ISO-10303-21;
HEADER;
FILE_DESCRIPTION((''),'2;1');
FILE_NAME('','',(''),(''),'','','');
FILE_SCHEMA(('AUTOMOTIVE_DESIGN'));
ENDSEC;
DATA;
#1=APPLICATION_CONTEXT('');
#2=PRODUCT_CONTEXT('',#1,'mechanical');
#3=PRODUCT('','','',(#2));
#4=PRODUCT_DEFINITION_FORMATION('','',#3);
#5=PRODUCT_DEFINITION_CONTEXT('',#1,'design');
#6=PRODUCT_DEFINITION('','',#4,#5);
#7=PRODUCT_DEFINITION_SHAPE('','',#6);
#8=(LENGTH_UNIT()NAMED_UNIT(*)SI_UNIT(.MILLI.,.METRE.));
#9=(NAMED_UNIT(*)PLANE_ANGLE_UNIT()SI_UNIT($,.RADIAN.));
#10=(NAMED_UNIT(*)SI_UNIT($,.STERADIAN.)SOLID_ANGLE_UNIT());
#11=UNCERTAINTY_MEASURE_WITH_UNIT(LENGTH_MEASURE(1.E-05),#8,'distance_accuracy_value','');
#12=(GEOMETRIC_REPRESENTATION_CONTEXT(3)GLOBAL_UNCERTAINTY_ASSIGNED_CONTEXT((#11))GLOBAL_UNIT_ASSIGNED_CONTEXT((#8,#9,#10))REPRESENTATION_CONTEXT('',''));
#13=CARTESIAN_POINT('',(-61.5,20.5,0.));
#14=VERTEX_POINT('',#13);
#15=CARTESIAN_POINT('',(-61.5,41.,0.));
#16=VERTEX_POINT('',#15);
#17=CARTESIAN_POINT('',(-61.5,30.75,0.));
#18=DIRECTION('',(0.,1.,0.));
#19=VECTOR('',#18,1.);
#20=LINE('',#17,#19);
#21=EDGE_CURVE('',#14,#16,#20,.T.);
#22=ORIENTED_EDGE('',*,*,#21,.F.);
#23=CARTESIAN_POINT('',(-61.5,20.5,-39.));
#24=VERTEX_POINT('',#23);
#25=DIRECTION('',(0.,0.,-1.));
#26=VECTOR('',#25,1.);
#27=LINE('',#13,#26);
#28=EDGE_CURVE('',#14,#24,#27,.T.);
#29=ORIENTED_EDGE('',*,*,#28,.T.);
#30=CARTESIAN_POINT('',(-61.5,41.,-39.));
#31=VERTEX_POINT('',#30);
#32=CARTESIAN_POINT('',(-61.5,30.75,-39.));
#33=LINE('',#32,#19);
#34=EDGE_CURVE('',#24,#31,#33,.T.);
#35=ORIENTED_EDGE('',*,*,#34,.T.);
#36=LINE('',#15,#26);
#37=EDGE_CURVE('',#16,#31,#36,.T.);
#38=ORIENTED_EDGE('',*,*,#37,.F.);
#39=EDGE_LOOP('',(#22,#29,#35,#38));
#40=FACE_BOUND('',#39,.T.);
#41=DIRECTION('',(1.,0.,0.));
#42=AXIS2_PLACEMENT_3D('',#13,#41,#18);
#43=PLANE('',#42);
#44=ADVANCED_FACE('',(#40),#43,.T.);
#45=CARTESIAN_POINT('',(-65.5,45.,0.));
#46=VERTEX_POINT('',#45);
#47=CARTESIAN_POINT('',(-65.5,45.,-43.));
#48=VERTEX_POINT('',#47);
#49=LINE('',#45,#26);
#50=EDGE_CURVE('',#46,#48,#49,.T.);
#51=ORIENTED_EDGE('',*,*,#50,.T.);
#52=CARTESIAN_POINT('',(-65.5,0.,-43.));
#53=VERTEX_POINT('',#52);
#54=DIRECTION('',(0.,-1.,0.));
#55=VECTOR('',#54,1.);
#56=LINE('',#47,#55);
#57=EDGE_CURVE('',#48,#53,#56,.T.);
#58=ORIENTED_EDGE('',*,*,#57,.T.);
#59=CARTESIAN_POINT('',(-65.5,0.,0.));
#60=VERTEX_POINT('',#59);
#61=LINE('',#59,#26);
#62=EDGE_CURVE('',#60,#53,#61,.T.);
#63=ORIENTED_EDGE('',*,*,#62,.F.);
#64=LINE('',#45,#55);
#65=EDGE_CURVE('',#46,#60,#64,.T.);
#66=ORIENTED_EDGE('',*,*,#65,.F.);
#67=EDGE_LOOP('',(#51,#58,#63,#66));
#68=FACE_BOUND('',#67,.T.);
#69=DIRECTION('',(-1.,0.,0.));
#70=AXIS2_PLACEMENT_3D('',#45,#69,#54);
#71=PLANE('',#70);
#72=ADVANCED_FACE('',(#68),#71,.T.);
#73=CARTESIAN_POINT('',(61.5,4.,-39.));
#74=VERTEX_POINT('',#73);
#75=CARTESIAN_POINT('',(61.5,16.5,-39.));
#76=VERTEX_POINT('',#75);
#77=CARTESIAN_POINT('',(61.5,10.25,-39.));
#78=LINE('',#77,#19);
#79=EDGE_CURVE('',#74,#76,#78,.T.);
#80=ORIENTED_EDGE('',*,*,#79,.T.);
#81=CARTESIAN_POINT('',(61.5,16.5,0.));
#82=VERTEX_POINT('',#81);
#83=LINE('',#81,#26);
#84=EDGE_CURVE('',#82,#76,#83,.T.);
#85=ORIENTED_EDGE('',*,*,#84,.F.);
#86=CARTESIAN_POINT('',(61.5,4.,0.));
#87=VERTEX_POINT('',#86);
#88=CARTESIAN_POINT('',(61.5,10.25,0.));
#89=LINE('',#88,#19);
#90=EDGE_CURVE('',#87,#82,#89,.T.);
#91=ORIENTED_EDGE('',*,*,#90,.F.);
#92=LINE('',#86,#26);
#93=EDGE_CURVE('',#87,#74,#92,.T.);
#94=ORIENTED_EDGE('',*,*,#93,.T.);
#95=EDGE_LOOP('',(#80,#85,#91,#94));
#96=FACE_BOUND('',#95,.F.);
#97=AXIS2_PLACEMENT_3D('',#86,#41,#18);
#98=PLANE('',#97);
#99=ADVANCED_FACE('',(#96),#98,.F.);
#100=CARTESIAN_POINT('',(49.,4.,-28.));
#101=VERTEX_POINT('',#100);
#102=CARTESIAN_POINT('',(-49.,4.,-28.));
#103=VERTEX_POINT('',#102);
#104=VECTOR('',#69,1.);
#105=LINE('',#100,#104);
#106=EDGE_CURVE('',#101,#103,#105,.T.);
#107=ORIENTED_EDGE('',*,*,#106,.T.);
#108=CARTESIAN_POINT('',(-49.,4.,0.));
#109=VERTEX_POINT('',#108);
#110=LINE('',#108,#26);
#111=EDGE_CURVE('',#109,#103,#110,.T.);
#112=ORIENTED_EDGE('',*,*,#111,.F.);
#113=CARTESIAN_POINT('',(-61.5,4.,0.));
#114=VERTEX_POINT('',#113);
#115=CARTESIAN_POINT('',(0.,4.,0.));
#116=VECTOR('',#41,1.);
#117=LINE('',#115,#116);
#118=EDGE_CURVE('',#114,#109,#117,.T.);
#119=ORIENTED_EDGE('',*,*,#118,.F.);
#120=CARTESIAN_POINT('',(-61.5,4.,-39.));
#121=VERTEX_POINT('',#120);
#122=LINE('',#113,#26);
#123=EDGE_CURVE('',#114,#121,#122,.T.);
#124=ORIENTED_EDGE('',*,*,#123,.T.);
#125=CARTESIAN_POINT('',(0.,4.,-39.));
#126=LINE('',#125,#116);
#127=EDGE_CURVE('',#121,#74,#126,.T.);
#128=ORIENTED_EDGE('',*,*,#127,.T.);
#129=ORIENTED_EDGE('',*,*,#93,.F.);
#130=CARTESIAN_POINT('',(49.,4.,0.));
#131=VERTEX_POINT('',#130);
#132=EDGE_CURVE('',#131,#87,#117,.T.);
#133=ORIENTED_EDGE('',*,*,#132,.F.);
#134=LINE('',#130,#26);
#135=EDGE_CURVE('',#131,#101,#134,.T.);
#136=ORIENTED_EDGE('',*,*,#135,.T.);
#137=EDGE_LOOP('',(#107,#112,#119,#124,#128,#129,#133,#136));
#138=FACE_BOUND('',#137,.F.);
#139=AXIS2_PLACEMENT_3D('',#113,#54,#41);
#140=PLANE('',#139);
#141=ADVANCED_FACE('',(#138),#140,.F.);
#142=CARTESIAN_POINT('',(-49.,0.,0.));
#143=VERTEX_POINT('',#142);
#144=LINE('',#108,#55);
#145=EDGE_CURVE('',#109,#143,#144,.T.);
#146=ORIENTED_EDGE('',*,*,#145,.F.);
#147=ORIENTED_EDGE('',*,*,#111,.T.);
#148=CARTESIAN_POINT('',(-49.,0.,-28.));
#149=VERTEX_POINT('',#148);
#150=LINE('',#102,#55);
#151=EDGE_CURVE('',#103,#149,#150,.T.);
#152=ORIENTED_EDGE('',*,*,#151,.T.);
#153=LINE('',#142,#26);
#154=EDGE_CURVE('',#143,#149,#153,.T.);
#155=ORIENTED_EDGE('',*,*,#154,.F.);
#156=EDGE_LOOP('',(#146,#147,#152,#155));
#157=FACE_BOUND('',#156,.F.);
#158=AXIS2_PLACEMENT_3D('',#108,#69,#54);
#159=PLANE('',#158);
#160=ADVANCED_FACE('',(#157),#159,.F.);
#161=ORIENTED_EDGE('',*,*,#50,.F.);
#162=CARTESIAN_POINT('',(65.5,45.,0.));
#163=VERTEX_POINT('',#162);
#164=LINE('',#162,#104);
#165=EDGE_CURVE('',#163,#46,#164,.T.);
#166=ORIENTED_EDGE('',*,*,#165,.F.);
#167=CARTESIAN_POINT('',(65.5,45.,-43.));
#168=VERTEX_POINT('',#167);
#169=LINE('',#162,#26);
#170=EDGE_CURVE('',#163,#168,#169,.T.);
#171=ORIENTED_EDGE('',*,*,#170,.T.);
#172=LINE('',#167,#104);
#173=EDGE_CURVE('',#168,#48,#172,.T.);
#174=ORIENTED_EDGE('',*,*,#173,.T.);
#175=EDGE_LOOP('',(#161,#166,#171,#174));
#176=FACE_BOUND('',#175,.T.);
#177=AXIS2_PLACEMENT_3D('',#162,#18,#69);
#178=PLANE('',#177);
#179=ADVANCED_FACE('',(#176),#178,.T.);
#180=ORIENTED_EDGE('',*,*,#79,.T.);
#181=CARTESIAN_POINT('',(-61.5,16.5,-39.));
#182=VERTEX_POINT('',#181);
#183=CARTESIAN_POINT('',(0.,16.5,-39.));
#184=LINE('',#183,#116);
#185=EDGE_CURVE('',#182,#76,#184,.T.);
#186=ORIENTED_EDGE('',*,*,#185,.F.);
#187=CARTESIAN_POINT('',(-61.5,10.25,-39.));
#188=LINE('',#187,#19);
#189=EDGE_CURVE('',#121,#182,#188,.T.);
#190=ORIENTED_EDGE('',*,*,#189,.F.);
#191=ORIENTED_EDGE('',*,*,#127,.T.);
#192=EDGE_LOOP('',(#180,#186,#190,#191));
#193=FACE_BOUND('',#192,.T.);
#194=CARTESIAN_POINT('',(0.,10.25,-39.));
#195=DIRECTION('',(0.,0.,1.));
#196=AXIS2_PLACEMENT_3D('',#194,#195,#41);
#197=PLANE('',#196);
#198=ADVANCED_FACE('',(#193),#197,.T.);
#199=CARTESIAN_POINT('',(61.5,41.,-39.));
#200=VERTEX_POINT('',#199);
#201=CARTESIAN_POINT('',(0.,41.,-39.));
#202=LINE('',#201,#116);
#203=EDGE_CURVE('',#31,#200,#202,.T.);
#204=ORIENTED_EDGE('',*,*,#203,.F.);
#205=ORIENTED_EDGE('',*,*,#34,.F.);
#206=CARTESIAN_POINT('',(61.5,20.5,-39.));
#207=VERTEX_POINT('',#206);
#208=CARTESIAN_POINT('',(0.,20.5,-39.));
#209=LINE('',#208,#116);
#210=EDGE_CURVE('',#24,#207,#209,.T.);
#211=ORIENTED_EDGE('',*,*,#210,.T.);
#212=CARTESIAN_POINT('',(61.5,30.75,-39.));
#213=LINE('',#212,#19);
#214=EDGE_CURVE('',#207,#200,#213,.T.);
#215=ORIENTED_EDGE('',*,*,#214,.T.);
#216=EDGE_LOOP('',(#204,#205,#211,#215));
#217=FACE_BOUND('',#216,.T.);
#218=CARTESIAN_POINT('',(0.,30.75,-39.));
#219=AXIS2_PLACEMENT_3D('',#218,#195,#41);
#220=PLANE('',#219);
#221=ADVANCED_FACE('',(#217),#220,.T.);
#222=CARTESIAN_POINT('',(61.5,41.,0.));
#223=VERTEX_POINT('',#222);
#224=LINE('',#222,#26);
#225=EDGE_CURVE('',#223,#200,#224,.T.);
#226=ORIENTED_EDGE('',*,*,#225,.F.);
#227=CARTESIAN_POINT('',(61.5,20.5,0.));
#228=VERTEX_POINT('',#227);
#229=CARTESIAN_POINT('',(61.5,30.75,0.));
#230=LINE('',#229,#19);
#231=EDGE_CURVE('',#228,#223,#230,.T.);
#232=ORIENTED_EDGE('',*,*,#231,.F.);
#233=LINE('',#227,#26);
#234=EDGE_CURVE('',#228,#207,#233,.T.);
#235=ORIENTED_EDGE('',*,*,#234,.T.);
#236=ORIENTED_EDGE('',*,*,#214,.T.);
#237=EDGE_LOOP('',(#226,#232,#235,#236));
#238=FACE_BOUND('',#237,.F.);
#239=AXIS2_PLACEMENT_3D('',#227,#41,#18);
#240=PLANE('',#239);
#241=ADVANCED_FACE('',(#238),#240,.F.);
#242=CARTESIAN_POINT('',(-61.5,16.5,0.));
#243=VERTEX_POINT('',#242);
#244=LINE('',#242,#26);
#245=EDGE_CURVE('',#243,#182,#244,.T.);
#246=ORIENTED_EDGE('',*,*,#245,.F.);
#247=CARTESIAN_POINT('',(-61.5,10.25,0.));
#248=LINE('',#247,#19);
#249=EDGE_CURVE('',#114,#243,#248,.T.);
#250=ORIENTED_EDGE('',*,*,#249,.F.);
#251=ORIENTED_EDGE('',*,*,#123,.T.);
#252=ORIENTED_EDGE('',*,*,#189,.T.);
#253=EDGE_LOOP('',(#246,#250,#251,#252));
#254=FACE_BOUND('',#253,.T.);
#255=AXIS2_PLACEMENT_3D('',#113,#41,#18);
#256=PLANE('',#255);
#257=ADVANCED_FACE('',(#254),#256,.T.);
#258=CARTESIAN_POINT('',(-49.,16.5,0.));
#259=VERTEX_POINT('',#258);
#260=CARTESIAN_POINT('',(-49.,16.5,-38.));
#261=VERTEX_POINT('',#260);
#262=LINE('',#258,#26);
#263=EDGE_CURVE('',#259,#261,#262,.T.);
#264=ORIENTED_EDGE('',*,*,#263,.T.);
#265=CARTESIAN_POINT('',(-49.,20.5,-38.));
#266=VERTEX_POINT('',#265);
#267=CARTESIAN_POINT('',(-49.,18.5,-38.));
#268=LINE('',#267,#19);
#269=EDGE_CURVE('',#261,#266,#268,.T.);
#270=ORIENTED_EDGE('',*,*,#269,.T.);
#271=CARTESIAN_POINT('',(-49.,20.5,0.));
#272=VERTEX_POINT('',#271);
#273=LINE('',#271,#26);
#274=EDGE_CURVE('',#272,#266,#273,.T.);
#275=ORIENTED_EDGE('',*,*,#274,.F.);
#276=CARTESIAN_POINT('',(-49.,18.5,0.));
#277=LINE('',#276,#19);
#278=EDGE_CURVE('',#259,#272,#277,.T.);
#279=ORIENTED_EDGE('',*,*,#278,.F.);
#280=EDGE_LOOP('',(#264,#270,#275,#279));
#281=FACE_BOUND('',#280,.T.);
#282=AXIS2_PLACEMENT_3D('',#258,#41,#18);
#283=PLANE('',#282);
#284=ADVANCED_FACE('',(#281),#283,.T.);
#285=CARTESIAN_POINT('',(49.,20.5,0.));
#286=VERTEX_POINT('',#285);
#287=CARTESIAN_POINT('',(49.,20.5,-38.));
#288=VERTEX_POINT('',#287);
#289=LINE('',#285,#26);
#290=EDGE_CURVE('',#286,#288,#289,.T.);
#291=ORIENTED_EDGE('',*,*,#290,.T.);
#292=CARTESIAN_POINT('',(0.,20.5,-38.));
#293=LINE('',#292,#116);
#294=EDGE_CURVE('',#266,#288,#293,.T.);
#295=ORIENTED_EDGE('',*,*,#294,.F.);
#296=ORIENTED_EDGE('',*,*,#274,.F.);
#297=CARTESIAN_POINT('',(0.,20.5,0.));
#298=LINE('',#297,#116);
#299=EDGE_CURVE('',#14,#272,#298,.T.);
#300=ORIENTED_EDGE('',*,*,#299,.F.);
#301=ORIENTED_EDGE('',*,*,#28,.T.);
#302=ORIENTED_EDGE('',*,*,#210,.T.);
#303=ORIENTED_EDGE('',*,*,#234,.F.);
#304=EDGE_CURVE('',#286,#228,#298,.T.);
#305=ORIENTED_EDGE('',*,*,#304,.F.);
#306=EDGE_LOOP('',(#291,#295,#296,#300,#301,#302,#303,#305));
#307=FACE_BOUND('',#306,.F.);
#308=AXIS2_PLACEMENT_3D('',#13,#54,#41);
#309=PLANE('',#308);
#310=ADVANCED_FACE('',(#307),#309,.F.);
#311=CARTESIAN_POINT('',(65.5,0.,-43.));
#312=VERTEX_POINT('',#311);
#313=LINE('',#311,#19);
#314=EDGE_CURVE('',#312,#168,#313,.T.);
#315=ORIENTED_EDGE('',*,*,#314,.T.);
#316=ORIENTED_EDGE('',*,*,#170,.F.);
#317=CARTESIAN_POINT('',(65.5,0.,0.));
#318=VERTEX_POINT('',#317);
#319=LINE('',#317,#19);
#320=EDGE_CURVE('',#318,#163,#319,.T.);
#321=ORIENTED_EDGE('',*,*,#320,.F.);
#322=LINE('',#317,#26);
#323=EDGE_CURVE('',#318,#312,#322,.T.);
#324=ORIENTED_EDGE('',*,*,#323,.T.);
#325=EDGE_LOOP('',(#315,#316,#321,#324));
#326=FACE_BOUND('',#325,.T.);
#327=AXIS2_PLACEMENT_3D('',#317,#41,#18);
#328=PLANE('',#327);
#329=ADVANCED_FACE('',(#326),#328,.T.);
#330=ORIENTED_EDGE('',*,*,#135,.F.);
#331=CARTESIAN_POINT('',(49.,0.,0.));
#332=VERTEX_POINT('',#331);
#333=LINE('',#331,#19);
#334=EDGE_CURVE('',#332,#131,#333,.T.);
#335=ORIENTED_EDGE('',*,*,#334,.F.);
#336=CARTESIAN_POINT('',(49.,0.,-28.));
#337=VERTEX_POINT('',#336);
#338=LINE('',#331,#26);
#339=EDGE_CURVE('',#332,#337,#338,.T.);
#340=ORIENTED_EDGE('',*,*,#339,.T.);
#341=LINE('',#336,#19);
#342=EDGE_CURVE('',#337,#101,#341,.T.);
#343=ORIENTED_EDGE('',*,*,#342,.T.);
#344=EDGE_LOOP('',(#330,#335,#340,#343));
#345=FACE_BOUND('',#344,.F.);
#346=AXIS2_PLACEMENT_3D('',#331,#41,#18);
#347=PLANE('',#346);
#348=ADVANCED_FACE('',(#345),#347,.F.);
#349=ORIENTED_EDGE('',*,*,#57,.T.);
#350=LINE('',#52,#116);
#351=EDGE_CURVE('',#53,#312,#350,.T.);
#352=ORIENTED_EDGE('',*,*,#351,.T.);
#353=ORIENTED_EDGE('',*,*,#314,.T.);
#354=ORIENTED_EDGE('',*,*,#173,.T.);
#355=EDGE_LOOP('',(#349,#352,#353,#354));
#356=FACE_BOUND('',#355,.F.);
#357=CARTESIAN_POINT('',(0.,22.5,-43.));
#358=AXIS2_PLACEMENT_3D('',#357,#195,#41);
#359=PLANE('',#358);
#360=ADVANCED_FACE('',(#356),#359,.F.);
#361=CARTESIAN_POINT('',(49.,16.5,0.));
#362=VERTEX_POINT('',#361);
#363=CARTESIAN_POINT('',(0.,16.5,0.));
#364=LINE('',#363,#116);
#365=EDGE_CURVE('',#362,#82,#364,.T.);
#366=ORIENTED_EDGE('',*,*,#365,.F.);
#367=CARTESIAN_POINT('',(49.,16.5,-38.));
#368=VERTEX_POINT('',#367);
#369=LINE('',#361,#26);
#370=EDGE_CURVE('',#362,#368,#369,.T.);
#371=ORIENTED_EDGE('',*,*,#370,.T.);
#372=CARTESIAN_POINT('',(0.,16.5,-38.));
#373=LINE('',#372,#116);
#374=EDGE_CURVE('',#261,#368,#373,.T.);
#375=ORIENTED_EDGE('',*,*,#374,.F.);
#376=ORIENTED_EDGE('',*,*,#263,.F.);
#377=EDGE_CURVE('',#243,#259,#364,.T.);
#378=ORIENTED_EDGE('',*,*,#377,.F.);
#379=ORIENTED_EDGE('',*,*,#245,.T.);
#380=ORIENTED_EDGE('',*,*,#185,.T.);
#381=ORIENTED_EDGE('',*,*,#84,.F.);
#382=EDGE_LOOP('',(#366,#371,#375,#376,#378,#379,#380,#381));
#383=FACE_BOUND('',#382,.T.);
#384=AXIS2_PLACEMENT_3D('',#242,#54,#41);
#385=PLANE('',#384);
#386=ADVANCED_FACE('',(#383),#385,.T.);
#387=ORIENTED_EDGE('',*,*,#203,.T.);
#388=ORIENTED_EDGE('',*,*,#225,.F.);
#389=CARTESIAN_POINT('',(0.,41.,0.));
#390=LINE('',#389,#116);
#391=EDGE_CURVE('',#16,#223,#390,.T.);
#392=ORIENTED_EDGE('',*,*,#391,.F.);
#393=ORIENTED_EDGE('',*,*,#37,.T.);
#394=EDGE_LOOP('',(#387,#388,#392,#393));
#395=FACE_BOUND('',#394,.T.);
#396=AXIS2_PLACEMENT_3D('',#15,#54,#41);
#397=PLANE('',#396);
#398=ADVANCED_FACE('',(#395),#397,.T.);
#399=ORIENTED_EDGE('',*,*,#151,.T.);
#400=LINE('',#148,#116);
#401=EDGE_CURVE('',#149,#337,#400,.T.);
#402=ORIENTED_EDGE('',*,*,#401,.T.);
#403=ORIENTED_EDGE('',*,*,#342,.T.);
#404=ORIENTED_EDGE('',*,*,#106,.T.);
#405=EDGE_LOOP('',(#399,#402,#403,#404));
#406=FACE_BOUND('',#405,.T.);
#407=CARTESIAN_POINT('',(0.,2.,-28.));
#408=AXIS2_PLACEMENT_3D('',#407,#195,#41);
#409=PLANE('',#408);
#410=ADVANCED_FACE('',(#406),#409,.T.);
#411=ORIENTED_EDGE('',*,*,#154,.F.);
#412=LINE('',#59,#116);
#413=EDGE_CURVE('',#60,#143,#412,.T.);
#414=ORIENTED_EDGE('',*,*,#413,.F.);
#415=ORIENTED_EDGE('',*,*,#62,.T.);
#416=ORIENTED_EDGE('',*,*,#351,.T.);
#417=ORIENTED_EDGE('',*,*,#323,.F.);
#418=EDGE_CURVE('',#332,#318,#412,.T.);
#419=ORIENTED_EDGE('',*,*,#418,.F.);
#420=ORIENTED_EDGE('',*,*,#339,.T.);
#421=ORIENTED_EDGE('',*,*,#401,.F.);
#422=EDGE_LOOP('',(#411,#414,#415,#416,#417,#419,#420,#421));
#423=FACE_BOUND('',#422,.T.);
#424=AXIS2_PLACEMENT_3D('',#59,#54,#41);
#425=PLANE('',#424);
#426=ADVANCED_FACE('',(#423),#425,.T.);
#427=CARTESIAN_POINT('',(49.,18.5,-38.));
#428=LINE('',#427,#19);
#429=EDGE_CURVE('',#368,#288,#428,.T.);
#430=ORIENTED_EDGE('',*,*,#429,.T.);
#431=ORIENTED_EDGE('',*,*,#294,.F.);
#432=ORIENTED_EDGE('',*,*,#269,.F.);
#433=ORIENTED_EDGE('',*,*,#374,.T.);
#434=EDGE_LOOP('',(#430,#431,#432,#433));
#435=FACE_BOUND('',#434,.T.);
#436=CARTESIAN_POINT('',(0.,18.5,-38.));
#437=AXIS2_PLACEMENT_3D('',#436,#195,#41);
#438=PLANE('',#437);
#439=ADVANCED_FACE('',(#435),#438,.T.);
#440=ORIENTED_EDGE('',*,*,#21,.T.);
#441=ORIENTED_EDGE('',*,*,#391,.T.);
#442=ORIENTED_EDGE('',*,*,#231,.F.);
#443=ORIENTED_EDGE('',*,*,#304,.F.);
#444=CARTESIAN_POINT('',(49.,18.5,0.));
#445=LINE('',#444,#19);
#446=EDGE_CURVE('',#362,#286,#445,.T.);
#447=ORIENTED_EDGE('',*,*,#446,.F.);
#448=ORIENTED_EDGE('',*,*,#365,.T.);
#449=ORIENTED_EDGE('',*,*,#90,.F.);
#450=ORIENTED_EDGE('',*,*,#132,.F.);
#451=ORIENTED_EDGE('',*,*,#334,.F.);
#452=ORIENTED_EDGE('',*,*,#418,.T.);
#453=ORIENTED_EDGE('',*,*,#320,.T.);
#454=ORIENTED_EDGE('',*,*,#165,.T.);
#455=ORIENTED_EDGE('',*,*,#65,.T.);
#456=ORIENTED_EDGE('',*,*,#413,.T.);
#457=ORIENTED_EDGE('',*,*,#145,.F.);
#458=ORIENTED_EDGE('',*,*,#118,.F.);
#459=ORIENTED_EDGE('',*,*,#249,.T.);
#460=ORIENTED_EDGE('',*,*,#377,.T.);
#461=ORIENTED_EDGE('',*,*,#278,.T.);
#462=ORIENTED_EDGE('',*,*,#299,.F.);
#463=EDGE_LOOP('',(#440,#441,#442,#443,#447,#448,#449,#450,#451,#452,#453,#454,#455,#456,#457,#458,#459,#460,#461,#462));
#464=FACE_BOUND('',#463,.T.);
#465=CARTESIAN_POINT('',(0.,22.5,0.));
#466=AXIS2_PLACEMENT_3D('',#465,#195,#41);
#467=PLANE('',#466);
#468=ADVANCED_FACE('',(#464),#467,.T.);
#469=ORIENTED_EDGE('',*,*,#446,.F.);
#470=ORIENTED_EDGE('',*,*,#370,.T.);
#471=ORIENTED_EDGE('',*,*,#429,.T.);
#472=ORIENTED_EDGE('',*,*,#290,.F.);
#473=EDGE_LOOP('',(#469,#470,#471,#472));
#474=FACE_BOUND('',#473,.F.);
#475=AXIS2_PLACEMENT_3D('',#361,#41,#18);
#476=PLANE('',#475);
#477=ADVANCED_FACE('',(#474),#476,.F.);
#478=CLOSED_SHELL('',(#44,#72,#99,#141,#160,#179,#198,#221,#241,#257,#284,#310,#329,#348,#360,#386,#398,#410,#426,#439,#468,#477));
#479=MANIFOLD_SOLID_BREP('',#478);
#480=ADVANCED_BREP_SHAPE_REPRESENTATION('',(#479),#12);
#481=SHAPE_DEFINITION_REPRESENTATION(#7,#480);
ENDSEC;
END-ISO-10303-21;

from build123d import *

# Parameters (mm, degrees)
F1_DEPTH = 43
F3_DEPTH = 28
F4_W     = 123
F4_H     = 12.5
F5_DEPTH = 39
F6_W     = 98
F6_H     = 4
F7_DEPTH = 38
F8_W     = 123
F8_H     = 20.5
F9_DEPTH = 39


with BuildPart() as f1:
    # F0 (on Top) → F1 (new body)
    with BuildSketch(Plane.XY):
        Polygon((-65.5, 0), (0, 0), (65.5, 0), (65.5, 45), (0, 45), (-65.5, 45), align=None)
    extrude(amount=-F1_DEPTH)

    # F2 (on face) → F3 (cut)
    with BuildSketch(Plane.XY):
        Polygon((-49, 4), (-49, 0), (0, 0), (49, 0), (49, 4), (0, 4), align=None)
    extrude(amount=-F3_DEPTH, mode=Mode.SUBTRACT)

    # F4 (on face) → F5 (cut)
    with BuildSketch(Plane.XY):
        with Locations((0, 10.25)):
            Rectangle(F4_W, F4_H)
    extrude(amount=-F5_DEPTH, mode=Mode.SUBTRACT)

    # F6 (on face) → F7 (cut)
    with BuildSketch(Plane.XY):
        with Locations((0, 18.5)):
            Rectangle(F6_W, F6_H)
    extrude(amount=-F7_DEPTH, mode=Mode.SUBTRACT)

    # F8 (on face) → F9 (cut)
    with BuildSketch(Plane.XY):
        with Locations((0, 30.75)):
            Rectangle(F8_W, F8_H)
    extrude(amount=-F9_DEPTH, mode=Mode.SUBTRACT)


solid = f1.part
